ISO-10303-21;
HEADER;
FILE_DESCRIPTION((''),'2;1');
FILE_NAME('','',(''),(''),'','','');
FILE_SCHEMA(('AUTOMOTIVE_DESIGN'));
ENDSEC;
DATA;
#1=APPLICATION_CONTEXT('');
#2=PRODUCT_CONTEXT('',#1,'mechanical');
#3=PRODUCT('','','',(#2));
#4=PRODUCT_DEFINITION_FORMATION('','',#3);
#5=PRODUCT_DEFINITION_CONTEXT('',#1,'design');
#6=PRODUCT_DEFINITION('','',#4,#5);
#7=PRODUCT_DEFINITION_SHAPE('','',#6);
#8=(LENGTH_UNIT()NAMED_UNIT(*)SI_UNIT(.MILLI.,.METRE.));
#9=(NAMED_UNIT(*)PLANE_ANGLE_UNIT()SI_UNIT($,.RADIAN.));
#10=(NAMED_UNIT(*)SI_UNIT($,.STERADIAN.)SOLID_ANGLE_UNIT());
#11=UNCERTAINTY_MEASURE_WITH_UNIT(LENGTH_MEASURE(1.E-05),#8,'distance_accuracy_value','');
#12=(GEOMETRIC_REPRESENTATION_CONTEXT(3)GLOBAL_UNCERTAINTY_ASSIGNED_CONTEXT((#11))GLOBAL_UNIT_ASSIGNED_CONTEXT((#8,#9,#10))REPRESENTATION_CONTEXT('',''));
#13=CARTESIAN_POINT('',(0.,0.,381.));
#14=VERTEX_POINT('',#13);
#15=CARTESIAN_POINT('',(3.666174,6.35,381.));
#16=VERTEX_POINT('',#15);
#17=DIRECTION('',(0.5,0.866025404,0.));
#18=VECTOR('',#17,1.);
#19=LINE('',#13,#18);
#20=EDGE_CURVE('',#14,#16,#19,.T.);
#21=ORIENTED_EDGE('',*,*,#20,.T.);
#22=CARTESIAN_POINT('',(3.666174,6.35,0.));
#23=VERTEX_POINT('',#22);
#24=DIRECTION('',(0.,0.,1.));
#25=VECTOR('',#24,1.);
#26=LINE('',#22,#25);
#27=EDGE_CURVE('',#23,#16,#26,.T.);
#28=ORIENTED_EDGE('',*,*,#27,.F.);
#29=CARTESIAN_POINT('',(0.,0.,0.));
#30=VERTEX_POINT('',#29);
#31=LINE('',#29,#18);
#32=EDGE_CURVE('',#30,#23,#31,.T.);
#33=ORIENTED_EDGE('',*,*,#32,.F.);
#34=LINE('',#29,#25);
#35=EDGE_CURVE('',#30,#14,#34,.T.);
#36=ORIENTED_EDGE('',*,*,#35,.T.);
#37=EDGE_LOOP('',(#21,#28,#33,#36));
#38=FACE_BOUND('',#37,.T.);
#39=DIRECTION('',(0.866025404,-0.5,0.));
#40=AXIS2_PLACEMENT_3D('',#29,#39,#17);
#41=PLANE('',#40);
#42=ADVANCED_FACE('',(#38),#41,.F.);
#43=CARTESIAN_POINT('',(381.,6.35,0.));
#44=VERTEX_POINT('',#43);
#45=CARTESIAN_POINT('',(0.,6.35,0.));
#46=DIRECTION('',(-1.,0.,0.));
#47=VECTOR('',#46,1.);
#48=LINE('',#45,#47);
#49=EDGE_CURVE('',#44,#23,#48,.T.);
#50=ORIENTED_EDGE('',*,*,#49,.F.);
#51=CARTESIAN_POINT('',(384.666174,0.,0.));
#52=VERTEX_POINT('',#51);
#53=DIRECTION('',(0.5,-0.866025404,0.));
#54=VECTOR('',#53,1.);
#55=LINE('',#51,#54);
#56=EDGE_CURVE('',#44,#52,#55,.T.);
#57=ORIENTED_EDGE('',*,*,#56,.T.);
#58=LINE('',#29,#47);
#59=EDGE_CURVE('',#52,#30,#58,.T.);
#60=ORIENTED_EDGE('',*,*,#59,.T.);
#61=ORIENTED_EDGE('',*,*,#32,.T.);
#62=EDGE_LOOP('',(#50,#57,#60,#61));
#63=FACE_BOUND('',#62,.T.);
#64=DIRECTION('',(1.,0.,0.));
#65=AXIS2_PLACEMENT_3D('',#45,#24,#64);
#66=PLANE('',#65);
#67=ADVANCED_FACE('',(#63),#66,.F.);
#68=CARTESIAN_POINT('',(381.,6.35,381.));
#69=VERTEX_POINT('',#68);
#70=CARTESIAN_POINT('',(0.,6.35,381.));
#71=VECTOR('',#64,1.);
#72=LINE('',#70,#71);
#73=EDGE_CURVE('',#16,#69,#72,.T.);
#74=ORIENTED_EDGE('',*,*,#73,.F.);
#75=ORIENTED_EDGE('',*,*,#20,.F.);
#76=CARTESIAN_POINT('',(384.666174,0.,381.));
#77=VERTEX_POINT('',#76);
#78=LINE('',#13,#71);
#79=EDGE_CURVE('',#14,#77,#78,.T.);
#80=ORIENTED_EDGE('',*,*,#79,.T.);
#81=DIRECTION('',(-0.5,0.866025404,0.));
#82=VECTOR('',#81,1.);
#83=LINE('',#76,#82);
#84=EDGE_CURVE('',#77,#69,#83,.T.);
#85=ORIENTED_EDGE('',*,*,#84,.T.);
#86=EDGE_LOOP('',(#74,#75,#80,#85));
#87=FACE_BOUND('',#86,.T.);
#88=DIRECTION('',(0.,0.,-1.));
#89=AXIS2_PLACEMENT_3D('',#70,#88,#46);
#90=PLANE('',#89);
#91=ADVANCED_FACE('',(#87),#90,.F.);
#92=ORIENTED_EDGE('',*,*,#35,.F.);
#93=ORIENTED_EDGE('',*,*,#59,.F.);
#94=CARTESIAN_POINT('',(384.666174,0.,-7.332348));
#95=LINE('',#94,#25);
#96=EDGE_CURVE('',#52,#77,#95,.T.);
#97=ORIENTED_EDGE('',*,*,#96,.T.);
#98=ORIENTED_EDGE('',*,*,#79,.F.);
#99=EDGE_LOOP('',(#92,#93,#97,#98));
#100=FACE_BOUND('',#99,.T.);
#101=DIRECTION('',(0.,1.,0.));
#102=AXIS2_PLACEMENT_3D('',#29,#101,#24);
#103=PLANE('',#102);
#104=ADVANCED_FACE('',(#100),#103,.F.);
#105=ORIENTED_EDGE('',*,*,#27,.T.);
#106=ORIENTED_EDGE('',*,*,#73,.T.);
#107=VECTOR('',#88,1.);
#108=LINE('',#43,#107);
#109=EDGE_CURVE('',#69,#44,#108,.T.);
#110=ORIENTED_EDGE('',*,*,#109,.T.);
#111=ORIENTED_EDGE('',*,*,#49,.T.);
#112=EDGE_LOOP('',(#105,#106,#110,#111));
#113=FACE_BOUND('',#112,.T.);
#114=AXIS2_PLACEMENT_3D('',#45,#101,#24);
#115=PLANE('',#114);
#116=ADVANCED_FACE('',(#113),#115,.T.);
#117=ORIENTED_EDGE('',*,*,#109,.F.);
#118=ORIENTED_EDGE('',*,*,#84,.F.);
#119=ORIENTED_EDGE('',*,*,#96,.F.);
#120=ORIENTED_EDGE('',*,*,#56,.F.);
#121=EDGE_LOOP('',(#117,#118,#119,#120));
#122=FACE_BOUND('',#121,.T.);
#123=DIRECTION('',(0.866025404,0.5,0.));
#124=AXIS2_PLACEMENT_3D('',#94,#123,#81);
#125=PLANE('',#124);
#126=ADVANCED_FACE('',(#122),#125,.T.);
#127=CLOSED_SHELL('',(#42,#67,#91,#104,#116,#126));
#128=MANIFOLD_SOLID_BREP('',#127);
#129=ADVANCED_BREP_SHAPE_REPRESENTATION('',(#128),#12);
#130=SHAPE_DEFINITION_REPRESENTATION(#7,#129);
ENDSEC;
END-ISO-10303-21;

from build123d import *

# Parameters (mm, degrees)
SKETCH1_W           = 381
SKETCH1_H           = 381
BOSS_EXTRUDE1_DEPTH = 6.35
CUT_EXTRUDE1_DEPTH  = 382
BOSS_EXTRUDE2_DEPTH = 381


with BuildPart() as part:
    # Sketch1 → Boss-Extrude1 (new body)
    with BuildSketch(Plane(origin=(0, 0, 0), x_dir=(1, 0, 0), z_dir=(0, 1, 0))):
        with Locations((190.5, -190.5)):
            Rectangle(SKETCH1_W, SKETCH1_H)
    extrude(amount=BOSS_EXTRUDE1_DEPTH)

    # Sketch2 → Cut-Extrude1 (cut, through all)
    with BuildSketch(Plane.XY.offset(381)):
        Polygon((0, 0), (3.666174209, 6.35), (0, 6.35), align=None)
    extrude(amount=-CUT_EXTRUDE1_DEPTH, mode=Mode.SUBTRACT)

    # Sketch5 → Boss-Extrude2 (add)
    with BuildSketch(Plane.XY.offset(381)):
        Polygon((381, 0), (384.666174209, 0), (381, 6.35), align=None)
    extrude(amount=-BOSS_EXTRUDE2_DEPTH)


solid = part.part
